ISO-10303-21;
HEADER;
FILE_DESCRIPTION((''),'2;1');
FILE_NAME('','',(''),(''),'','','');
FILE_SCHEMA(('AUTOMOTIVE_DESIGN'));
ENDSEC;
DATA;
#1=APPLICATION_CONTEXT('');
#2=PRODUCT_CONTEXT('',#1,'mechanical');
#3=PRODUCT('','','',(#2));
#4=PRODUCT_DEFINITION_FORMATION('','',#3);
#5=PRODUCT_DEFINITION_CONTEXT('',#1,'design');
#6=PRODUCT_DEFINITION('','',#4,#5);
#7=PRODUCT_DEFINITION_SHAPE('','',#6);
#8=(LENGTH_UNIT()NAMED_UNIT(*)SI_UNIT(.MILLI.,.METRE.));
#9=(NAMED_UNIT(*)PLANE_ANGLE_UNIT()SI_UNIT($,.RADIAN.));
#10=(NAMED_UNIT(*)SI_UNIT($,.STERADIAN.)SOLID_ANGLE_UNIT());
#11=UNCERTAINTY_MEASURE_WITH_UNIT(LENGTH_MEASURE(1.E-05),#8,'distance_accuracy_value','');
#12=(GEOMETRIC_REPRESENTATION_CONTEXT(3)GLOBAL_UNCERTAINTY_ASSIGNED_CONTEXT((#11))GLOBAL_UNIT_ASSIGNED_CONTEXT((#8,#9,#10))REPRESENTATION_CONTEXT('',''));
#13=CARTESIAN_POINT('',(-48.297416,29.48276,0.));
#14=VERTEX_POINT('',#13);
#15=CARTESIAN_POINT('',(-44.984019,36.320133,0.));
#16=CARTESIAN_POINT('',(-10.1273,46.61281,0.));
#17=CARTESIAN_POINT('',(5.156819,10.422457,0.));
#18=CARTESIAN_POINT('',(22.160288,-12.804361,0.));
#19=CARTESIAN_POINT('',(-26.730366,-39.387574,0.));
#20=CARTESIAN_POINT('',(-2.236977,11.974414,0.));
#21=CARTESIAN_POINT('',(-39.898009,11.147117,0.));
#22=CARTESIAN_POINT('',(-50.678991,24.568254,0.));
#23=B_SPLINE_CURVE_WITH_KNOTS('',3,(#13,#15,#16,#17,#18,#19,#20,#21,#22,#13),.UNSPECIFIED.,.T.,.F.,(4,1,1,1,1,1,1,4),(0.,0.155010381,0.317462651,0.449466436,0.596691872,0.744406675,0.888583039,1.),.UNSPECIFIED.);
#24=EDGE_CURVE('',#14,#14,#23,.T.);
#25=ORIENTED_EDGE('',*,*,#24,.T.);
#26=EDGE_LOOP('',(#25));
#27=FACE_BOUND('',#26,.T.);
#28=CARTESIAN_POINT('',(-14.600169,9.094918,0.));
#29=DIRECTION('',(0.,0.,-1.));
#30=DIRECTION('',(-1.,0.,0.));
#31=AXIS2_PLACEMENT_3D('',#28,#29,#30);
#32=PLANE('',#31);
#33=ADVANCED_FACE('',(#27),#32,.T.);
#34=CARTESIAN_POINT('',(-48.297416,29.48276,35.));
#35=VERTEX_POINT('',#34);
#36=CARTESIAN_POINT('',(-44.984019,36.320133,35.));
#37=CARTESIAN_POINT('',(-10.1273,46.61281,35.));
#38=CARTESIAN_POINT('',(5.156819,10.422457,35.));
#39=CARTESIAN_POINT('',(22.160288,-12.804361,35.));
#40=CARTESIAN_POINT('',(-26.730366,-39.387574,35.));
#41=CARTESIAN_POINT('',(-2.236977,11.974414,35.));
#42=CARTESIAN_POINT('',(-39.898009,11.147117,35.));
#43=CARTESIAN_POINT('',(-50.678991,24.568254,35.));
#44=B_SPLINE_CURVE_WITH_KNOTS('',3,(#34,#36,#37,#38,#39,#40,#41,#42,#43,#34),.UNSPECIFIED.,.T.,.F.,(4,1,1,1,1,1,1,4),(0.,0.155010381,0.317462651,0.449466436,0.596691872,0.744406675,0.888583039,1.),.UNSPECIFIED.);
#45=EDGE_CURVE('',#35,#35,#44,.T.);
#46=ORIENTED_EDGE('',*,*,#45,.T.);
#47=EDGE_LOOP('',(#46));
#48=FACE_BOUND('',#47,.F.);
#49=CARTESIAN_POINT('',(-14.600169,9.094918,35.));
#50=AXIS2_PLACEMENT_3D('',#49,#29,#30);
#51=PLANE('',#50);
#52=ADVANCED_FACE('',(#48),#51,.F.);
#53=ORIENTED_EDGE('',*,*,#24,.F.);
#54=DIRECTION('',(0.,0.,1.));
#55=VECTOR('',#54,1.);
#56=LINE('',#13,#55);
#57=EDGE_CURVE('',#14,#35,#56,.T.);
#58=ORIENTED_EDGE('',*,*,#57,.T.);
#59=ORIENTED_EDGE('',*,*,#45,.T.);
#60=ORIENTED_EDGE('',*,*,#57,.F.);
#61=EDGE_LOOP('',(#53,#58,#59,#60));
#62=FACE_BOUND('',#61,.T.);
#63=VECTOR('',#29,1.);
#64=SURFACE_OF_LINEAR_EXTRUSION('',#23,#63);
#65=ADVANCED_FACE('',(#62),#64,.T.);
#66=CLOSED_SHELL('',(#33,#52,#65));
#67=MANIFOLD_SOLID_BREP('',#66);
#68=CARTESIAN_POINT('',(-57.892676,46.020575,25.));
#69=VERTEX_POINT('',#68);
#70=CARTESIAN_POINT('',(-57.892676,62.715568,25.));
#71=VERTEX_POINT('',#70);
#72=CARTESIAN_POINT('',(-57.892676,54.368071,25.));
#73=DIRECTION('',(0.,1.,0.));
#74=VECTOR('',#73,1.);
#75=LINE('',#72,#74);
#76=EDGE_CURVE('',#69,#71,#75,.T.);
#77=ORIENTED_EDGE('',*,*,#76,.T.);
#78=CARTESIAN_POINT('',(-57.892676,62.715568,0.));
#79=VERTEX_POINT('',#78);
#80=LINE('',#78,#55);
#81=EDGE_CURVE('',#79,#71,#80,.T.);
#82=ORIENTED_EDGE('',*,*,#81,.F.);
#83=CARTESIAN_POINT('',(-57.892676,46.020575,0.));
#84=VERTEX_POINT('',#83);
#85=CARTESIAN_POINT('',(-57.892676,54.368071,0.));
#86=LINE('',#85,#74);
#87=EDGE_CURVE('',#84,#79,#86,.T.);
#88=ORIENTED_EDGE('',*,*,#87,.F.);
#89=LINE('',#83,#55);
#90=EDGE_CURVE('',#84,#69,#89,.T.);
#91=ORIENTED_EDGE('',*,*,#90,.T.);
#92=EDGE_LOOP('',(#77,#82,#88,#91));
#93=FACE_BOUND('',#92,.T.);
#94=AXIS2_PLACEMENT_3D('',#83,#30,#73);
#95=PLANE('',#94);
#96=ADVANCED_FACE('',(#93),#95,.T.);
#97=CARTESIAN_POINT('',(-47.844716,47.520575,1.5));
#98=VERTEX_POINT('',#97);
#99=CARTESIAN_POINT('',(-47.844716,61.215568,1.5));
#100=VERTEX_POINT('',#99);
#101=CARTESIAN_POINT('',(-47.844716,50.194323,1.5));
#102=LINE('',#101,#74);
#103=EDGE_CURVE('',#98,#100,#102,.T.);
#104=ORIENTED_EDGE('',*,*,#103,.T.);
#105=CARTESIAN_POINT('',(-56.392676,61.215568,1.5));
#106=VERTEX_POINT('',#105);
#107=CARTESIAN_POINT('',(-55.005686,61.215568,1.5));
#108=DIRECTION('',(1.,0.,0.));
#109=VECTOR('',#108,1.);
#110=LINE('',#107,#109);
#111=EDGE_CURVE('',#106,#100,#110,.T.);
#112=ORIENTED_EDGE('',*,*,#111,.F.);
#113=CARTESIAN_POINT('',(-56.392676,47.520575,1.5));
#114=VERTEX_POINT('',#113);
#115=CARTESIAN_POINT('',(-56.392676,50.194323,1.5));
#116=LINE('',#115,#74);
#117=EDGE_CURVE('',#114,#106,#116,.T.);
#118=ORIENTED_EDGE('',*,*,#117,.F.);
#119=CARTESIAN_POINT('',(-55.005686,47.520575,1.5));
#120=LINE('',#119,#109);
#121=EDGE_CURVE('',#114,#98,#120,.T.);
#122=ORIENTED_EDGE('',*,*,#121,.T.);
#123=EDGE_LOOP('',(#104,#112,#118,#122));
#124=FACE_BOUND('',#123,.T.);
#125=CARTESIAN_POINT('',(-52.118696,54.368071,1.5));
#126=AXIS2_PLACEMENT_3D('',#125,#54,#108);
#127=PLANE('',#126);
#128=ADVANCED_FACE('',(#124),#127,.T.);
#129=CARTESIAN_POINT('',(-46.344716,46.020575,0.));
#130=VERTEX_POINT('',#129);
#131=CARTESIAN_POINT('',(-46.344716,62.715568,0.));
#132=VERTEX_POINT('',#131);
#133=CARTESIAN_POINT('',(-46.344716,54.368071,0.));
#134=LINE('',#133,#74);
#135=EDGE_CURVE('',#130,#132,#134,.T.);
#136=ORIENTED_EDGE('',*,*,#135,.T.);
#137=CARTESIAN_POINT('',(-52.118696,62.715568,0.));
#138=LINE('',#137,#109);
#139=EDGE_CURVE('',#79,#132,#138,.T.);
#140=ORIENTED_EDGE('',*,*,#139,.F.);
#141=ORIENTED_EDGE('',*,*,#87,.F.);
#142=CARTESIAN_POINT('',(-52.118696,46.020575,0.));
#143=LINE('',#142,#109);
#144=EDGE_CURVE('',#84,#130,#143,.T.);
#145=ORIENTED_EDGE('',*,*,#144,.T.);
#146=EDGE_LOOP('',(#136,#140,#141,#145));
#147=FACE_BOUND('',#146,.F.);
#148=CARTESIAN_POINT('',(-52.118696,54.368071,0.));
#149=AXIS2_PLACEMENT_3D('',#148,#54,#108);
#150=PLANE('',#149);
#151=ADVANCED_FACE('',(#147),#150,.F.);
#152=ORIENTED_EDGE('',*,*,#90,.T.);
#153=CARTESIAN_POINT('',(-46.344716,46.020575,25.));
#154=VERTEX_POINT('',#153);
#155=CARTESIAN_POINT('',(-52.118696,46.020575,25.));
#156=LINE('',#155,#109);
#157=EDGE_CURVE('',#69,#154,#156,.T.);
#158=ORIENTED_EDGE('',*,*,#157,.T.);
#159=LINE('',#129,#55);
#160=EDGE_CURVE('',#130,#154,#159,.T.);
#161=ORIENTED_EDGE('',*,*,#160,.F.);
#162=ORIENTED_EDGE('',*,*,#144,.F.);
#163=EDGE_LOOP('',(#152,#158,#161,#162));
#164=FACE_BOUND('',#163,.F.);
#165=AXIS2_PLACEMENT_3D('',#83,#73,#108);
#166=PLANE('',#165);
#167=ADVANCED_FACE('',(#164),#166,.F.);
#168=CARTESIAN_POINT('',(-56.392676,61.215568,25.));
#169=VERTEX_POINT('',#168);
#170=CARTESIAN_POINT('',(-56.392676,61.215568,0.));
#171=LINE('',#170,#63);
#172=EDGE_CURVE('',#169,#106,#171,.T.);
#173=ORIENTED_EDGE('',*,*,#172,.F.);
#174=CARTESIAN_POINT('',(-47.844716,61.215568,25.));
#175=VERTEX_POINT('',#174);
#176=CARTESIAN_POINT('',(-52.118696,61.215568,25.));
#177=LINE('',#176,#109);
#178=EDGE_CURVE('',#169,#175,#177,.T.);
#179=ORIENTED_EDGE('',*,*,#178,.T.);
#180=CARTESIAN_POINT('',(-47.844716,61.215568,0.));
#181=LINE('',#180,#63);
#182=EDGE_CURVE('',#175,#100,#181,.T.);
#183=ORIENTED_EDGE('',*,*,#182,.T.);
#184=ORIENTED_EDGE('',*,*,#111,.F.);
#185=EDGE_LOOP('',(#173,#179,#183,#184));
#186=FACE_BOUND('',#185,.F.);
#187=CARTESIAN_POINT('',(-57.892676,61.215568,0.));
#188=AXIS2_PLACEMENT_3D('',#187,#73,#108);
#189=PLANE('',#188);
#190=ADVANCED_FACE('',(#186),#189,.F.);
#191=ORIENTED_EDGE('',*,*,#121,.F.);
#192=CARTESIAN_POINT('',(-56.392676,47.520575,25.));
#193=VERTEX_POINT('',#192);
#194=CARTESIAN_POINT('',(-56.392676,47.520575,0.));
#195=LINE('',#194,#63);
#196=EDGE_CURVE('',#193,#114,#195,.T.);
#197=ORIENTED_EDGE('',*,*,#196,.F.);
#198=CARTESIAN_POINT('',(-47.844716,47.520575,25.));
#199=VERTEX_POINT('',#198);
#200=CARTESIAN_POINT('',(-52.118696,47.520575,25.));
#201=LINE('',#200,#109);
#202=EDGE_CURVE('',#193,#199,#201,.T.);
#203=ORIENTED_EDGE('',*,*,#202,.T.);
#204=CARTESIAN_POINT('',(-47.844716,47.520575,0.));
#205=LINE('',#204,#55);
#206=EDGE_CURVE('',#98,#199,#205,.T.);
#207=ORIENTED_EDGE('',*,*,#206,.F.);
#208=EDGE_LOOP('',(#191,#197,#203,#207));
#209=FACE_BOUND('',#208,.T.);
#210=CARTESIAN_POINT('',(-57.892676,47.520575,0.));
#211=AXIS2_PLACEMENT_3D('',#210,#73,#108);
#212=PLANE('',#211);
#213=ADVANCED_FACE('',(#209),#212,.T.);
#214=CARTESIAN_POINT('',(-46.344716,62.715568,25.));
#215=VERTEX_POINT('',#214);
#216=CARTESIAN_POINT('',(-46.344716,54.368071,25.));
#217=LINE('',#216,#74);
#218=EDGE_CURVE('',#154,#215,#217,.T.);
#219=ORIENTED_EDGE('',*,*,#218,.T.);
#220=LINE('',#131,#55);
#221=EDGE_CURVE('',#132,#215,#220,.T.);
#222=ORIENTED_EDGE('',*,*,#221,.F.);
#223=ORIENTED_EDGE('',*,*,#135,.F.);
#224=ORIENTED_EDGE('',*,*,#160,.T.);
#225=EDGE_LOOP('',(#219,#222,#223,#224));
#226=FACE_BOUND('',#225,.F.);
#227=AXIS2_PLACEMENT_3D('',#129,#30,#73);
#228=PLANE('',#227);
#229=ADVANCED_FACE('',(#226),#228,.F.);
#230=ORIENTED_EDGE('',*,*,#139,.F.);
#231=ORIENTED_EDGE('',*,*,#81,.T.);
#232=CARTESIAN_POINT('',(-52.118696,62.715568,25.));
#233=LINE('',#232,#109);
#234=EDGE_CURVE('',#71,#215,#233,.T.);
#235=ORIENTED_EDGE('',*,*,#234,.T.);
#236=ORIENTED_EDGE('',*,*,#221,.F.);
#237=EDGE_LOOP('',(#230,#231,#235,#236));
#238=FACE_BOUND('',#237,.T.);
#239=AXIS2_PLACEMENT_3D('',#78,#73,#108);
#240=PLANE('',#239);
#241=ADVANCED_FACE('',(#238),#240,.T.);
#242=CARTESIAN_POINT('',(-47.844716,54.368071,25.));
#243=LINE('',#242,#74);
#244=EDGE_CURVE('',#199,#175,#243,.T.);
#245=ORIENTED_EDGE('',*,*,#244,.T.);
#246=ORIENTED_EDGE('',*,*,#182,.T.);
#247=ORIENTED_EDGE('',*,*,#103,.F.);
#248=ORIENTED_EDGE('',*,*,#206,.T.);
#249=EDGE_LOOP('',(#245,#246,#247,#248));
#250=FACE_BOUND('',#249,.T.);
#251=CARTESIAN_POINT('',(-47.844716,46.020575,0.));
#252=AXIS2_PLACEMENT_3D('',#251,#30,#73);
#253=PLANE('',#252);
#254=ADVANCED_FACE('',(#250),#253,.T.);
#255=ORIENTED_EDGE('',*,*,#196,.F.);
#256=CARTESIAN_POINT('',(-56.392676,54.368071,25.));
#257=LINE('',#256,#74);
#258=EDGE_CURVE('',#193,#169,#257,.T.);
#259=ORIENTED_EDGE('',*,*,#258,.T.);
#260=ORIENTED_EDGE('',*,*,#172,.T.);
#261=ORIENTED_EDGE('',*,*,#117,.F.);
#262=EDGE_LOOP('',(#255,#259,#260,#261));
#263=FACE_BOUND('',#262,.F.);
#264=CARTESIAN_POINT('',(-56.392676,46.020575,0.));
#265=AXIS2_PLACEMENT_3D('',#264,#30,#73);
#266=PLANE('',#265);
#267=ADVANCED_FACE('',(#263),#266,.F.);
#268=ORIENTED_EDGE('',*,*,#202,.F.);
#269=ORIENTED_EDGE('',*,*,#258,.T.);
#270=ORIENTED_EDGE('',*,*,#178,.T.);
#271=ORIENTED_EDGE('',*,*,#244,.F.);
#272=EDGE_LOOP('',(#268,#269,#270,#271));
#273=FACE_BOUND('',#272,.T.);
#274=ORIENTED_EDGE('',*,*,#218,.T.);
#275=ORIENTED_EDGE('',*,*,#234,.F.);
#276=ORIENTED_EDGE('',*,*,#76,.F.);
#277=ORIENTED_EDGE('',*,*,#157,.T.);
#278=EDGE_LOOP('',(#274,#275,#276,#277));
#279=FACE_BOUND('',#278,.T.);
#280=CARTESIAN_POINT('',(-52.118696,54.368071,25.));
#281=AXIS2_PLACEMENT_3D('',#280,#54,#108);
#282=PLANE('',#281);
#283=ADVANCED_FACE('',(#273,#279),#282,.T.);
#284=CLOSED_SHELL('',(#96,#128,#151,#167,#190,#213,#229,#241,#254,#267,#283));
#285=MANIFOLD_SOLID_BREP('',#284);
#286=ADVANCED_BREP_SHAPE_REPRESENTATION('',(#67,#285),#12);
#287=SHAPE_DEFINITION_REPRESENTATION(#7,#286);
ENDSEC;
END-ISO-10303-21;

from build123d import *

# Parameters (mm, degrees)
F1_DEPTH = 35
F2_W     = 11.547960341
F2_H     = 16.6949927807
F3_DEPTH = 25
F4_T     = -1.5


with BuildPart() as f1:
    # F0 (on Top) → F1 (new body)
    with BuildSketch(Plane.XY):
        with BuildLine():
            add(Edge.make_bspline(
                [(-48.2974164188, 29.4827595353), (-44.9840185427, 36.3201334645), (-10.1272999758, 46.6128101549), (5.1568192166, 10.4224569946), (22.1602880366, -12.8043614788), (-26.7303655574, -39.3875741633), (-2.2369766419, 11.9744139842), (-39.8980088642, 11.147117278), (-50.6789905907, 24.5682537129), (-48.2974164188, 29.4827595353)],
                knots=[0, 0, 0, 0, 0.1550103813, 0.3174626507, 0.4494664358, 0.5966918724, 0.7444066747, 0.8885830394, 1, 1, 1, 1], degree=3))
        make_face()
    extrude(amount=F1_DEPTH)


with BuildPart() as f3:
    # F2 (on Top) → F3 (new body)
    with BuildSketch(Plane.XY):
        with Locations((-52.1186962724, 54.3680712581)):
            Rectangle(F2_W, F2_H)
    extrude(amount=F3_DEPTH)

    # F4
    f4_openings = [f3.faces().sort_by_distance(p)[0] for p in [
        (-52.118696, 54.368071, 25),
    ]]
    offset(amount=F4_T, openings=f4_openings)


solid = Compound([f1.part, f3.part])
